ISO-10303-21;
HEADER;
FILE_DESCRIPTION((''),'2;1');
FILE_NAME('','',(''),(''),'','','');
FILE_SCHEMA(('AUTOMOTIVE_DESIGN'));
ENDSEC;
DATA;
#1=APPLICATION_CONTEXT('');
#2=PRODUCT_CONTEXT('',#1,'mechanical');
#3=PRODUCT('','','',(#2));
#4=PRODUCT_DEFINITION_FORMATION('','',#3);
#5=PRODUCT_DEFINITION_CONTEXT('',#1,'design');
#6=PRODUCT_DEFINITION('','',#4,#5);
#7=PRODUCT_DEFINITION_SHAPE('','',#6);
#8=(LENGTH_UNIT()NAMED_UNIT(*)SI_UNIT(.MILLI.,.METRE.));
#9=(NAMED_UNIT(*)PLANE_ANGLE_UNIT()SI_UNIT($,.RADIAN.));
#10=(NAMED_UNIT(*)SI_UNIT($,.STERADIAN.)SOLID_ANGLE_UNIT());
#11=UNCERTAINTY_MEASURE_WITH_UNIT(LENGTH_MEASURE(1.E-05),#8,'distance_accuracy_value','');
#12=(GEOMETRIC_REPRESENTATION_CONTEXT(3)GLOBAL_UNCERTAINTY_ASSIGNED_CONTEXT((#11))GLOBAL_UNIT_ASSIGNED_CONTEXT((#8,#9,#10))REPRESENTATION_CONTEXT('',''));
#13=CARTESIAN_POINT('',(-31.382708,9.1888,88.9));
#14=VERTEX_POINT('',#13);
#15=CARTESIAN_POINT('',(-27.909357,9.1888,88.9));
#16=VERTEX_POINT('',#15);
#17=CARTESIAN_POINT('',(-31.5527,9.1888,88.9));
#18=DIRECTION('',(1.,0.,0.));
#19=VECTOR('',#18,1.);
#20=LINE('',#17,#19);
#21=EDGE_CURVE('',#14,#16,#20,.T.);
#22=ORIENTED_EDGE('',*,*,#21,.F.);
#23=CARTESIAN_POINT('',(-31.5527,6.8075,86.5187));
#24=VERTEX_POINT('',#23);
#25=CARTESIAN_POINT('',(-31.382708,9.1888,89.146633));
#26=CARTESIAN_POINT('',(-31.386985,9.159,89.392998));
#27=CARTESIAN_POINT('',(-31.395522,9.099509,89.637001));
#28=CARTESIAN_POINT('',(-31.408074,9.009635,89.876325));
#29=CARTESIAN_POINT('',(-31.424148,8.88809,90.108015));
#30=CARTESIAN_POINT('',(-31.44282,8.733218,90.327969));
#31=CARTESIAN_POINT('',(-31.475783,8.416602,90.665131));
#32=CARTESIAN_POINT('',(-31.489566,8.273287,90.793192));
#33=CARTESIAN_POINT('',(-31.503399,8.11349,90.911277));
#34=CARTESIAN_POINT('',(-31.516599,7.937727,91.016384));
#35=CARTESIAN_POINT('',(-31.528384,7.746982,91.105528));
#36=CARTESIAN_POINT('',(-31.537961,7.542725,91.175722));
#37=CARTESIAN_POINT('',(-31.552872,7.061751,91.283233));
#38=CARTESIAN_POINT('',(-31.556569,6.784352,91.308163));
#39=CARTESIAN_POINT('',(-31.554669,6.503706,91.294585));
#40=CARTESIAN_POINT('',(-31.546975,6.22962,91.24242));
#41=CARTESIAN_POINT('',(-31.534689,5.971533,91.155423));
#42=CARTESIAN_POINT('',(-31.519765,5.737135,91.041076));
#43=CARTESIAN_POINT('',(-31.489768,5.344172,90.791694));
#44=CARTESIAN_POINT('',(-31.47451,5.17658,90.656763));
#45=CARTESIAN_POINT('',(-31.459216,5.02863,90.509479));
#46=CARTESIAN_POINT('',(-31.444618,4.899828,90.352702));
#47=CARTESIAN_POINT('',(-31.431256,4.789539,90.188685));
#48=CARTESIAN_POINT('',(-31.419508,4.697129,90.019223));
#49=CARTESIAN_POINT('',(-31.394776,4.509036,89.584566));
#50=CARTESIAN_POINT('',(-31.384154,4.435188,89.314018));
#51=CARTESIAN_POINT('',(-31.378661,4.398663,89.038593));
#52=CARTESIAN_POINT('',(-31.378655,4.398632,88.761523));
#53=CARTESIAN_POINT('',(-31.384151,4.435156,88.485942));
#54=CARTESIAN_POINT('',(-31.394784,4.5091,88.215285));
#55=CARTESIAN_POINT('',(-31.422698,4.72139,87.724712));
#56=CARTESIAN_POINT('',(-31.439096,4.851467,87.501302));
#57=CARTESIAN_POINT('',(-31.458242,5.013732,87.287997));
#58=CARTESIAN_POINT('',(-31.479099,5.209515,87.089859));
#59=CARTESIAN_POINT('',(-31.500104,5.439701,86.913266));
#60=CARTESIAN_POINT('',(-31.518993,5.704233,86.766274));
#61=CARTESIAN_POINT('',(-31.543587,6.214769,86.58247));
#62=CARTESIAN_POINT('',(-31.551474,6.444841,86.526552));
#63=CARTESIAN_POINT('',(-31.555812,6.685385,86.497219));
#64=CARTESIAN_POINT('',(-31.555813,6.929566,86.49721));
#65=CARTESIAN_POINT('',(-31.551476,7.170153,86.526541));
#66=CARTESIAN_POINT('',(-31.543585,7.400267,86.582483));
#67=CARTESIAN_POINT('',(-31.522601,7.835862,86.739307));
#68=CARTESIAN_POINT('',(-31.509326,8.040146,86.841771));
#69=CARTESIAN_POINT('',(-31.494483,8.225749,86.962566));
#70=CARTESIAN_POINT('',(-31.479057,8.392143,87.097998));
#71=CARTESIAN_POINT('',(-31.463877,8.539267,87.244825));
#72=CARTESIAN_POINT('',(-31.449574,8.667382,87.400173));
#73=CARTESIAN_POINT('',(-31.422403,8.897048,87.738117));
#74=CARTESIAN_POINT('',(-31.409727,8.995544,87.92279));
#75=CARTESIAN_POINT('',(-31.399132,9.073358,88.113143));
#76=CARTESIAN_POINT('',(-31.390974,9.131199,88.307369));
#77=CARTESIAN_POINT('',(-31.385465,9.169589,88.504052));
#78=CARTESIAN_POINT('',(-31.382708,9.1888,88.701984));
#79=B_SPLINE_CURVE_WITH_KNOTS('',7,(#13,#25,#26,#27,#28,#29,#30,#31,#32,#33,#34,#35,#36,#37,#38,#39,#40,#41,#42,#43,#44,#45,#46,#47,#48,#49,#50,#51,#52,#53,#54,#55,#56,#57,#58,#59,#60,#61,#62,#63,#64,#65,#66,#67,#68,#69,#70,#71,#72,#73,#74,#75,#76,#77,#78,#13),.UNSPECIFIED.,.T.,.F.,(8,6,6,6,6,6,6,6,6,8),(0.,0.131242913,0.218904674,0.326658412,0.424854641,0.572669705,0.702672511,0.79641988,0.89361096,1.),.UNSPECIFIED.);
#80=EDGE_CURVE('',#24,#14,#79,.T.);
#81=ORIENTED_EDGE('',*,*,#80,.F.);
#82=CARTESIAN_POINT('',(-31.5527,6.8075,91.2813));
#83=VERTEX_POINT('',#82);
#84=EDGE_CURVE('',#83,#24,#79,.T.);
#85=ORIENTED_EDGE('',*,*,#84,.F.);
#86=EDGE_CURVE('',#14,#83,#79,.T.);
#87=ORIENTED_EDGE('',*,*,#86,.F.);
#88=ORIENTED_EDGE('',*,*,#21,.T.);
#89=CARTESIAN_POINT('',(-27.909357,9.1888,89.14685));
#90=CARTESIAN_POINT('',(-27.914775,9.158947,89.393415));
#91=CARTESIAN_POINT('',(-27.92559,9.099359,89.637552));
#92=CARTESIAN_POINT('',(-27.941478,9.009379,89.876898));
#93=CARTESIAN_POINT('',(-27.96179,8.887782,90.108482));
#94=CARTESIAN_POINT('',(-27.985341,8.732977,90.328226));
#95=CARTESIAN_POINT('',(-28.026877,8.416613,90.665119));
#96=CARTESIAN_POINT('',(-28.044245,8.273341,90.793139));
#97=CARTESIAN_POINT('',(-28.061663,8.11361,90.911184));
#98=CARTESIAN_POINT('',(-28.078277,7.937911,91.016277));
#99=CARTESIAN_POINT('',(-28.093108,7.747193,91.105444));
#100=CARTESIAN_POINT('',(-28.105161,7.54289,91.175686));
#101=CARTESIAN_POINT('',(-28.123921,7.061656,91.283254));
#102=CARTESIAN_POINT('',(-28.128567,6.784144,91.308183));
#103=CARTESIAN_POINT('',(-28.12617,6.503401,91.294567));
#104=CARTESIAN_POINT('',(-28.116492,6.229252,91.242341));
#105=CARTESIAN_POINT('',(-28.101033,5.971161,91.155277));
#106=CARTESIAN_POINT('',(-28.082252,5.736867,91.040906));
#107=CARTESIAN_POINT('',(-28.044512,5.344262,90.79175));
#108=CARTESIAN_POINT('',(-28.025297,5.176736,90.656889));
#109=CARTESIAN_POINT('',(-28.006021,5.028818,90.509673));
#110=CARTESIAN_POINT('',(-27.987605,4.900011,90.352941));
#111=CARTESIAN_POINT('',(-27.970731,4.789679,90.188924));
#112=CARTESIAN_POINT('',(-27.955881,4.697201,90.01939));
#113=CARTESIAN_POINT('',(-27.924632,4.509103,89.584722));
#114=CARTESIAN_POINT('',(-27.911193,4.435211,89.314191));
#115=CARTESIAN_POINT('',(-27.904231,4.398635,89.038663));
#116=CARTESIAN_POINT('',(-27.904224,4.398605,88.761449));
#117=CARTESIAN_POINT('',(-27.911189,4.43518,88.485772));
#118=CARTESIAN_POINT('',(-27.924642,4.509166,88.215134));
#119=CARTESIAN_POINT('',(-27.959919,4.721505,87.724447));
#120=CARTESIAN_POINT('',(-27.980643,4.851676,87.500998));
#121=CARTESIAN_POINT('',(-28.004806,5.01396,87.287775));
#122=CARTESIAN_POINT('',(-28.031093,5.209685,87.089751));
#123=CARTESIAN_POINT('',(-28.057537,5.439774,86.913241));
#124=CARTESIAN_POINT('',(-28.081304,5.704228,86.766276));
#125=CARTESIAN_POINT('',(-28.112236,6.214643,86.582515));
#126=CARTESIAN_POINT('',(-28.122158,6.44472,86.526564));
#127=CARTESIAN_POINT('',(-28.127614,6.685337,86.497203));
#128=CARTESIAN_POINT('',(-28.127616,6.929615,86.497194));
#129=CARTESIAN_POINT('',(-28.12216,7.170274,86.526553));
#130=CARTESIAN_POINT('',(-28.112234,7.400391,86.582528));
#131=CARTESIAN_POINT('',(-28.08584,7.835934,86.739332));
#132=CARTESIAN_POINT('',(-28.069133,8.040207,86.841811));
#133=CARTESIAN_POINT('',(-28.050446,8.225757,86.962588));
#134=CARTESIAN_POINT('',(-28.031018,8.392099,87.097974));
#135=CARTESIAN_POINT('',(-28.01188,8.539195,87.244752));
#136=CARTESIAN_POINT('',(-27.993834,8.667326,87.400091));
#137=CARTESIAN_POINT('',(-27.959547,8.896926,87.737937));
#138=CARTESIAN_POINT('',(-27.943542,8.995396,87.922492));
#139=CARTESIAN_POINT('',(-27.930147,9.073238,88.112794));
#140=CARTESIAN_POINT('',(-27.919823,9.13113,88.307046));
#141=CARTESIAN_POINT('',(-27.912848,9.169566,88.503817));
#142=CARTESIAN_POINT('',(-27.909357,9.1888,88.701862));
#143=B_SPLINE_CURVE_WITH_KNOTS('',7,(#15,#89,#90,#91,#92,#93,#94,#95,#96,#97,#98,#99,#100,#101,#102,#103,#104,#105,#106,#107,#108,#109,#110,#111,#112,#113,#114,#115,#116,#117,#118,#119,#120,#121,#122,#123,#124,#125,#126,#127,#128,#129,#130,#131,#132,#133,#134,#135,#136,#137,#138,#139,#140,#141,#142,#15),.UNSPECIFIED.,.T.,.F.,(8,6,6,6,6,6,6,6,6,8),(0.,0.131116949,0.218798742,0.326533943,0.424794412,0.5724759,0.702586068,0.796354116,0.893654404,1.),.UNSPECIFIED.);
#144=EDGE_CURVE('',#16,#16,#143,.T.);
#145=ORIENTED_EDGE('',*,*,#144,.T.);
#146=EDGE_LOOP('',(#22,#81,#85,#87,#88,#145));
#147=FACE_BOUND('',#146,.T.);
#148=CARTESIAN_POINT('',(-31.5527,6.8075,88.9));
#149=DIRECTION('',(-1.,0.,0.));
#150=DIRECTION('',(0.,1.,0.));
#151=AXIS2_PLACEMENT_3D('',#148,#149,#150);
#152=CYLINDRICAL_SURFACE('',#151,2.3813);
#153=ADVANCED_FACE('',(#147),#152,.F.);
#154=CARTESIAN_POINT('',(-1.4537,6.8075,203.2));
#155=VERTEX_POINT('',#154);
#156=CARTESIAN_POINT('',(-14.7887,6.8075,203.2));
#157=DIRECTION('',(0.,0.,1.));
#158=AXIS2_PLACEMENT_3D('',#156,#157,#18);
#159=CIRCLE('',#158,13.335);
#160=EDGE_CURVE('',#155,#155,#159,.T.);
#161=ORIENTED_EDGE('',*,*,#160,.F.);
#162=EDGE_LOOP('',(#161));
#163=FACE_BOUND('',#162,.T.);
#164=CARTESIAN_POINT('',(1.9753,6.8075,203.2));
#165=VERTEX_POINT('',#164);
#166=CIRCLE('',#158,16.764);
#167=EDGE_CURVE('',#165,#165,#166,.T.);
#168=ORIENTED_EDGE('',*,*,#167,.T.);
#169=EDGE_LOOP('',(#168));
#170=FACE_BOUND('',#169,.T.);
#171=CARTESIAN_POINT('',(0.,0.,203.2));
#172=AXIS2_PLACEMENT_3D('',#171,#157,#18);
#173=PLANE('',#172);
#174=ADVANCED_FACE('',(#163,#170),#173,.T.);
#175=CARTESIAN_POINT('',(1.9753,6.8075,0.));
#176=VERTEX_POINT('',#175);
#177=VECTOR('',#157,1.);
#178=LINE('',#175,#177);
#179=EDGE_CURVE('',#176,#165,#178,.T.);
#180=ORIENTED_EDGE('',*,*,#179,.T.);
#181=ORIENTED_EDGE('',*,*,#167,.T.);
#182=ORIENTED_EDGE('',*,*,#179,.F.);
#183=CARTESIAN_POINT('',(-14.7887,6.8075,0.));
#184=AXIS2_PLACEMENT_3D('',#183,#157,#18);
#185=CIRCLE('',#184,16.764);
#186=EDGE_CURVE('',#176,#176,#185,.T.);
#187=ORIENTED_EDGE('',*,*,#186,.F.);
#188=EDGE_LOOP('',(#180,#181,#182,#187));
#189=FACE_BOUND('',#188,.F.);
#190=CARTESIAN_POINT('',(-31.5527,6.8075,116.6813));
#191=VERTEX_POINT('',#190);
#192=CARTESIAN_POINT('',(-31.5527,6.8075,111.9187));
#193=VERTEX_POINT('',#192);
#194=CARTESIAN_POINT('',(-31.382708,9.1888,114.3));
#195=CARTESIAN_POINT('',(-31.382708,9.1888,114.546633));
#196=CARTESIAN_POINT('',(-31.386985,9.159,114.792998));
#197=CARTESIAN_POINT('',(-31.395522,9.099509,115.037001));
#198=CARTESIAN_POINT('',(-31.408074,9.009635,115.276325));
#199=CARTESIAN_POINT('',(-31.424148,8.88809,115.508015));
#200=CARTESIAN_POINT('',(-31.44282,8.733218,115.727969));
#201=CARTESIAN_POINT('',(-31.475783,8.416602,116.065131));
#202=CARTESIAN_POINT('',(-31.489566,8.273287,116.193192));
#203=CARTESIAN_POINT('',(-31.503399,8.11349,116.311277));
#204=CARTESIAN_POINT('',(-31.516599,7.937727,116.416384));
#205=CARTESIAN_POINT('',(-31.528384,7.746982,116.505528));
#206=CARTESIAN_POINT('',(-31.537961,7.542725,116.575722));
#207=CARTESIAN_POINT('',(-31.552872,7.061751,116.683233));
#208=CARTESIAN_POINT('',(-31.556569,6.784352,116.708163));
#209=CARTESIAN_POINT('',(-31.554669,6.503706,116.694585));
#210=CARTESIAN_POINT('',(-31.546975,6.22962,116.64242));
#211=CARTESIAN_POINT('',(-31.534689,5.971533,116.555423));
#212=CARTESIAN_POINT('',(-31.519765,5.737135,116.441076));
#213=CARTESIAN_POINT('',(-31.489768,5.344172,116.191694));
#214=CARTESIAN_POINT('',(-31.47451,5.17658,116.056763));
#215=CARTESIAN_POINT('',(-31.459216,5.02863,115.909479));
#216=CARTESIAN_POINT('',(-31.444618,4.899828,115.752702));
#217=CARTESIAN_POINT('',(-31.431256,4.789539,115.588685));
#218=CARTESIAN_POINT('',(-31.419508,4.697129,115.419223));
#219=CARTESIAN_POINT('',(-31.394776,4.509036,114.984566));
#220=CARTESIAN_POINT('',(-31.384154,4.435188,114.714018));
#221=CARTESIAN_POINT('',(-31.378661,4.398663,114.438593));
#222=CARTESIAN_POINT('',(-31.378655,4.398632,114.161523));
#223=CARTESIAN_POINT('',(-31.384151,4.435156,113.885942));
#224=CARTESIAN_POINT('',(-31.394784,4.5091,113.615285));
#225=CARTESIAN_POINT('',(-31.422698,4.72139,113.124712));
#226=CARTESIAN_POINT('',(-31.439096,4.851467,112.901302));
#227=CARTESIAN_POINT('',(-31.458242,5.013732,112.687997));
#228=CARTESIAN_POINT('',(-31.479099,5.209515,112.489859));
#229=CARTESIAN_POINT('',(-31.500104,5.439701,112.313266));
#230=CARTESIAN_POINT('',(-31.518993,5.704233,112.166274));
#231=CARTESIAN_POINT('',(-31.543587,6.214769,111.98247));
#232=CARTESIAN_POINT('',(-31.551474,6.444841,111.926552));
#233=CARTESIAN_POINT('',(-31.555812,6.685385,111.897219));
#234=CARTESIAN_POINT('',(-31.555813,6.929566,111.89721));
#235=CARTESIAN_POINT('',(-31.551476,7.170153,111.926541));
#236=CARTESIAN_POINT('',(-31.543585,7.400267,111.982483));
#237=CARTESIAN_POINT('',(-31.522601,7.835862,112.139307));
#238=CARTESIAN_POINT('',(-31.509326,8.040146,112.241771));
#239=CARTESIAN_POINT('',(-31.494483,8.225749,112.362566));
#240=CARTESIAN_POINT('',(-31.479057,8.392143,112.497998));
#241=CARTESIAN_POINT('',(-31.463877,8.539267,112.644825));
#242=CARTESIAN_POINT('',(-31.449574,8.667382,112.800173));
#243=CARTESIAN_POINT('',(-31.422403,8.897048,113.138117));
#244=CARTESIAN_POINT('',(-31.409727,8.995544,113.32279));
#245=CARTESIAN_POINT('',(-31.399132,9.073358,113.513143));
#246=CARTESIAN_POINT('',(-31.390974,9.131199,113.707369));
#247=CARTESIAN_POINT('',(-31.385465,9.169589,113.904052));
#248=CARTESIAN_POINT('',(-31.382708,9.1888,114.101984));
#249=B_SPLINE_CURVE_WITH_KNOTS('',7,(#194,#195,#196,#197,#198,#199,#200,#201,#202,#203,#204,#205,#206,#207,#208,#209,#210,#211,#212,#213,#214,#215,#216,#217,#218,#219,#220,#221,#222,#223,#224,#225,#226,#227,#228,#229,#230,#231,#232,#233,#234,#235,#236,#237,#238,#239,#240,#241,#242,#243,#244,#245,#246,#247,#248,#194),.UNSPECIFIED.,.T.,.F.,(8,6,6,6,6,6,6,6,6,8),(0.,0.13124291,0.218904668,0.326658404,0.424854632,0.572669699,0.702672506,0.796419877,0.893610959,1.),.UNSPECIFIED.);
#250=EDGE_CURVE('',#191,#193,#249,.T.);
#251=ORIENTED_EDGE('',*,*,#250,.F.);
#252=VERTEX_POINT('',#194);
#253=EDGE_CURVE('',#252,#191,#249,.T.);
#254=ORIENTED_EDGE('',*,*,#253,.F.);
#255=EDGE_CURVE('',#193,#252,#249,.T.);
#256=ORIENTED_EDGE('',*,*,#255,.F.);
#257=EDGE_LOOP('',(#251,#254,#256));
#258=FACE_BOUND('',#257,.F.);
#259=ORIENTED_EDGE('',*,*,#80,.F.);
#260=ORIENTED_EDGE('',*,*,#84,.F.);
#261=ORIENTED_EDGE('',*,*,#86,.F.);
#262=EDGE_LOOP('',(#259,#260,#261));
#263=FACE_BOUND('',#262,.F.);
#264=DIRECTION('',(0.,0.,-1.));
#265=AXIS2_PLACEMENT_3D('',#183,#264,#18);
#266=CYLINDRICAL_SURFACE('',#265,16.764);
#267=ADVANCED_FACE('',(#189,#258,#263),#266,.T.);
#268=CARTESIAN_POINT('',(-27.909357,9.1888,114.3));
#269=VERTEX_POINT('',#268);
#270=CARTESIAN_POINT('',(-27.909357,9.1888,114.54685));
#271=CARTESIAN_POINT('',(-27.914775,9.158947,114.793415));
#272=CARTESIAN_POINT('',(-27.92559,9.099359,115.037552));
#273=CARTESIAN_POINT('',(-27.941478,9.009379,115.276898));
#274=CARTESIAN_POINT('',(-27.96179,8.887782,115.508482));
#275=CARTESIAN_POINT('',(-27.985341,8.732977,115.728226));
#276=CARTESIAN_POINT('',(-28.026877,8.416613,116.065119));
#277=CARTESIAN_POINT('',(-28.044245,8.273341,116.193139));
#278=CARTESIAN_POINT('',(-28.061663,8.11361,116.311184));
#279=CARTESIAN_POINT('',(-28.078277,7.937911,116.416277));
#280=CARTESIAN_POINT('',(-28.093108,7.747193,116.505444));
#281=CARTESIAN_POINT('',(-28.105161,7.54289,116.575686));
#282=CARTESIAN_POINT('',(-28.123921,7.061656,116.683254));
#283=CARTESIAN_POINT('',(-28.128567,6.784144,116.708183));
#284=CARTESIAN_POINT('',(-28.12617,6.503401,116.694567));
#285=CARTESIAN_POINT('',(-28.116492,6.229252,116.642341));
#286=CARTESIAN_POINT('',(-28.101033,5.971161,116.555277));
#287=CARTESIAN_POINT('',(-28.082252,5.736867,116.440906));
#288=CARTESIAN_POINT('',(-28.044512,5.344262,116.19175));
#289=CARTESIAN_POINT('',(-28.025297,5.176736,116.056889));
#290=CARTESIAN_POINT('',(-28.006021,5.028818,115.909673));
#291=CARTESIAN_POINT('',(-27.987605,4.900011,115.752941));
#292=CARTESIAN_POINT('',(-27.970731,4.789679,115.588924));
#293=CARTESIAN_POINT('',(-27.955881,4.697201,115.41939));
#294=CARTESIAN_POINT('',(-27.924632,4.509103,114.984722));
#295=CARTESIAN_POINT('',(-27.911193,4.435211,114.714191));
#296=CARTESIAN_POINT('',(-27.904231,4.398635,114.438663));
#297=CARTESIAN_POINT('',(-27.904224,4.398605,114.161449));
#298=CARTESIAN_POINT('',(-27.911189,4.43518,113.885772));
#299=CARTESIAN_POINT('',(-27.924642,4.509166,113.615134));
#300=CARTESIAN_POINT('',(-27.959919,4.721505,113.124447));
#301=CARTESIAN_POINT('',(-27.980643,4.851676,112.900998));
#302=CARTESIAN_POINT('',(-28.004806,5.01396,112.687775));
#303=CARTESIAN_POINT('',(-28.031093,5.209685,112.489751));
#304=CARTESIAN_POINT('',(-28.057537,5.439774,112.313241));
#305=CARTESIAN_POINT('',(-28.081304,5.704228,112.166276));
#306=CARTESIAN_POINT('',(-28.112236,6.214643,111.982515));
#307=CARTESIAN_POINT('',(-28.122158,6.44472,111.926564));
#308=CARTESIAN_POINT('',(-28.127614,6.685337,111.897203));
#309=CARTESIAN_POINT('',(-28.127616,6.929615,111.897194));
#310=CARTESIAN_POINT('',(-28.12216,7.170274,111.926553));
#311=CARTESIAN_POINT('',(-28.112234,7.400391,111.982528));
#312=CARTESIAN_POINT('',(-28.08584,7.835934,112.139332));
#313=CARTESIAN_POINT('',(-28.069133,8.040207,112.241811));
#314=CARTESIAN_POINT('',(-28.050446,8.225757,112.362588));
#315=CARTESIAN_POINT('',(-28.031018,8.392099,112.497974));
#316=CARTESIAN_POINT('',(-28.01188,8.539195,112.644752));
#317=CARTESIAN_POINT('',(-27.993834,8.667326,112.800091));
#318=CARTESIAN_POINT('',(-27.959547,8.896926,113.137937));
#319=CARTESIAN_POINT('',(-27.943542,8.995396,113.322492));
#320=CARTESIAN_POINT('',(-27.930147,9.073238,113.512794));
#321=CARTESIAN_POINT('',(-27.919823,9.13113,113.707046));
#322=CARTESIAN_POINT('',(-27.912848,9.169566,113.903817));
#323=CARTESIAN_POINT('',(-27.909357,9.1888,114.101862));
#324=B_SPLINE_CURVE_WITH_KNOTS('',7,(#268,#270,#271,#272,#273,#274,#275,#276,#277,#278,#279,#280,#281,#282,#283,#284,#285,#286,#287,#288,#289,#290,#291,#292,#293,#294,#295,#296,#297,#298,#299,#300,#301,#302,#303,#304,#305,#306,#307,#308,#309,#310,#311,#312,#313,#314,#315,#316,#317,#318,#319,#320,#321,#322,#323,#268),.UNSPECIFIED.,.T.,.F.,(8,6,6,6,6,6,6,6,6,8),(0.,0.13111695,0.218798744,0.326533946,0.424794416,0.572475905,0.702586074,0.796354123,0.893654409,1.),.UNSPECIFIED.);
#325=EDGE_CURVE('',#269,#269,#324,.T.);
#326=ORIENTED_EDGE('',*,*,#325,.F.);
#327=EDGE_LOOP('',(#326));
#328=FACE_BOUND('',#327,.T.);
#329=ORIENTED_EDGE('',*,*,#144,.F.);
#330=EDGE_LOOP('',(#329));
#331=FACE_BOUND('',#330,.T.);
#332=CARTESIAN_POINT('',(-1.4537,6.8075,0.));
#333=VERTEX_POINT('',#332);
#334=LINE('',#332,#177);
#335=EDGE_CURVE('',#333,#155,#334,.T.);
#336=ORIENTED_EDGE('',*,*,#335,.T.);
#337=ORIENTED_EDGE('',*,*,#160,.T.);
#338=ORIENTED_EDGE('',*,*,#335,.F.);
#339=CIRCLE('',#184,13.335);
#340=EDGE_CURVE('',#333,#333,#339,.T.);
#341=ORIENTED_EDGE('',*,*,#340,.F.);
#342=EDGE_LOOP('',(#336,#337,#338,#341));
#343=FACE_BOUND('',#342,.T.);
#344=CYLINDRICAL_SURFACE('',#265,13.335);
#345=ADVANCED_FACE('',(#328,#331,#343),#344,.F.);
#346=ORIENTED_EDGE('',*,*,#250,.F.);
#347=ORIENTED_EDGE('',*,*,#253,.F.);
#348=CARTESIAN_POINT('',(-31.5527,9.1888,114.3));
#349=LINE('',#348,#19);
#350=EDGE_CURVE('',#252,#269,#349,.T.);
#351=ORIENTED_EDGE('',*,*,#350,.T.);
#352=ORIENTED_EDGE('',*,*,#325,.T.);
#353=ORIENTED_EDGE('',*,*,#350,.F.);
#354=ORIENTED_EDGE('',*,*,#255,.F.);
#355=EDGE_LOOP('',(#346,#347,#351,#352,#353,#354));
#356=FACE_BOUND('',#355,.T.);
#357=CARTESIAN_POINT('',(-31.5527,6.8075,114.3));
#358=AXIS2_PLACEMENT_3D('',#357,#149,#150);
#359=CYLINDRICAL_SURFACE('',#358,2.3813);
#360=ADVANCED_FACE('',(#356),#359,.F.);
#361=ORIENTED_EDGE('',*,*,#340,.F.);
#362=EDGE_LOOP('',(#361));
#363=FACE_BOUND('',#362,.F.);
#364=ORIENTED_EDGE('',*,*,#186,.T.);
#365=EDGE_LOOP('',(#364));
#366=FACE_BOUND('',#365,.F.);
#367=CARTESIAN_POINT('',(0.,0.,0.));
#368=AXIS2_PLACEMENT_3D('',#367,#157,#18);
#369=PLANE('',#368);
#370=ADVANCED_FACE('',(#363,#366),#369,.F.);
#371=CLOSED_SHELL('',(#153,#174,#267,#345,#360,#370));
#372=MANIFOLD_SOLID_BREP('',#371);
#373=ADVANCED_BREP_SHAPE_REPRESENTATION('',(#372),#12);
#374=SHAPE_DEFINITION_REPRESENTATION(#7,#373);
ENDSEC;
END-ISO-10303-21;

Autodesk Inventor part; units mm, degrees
ref_plane "XZ Plane" through (0, 0, 0) normal (0, 1, 0) x (-1, 0, 0)
ref_plane "XY Plane" through (0, 0, 0) normal (0, 0, 1) x (1, 0, 0)
sketch "Sketch1" plane through (0, 0, 0) normal (0, 0, 1) x (1, 0, 0)
  circle A0 centre (-14.7887, 6.8075) radius 16.764
  circle A1 centre (-14.7887, 6.8075) radius 13.335
  dimension "d0" = 33.528
  dimension "d1" = 26.67
extrude "Extrusion1" add sketch "Sketch1" along normal blind 203.2
ref_plane "Work Plane1" through (-31.5527, 6.8075, 0) normal (1, 0, 0) x (0, 1, 0)
sketch "Sketch2" plane through (-31.5527, 6.8075, 0) normal (1, 0, 0) x (0, 1, 0)
  line L0 (16.764, 0) -> (16.764, 203.2) projected
  line L1 (-16.764, 203.2) -> (16.764, 203.2) projected
  line L2 (-16.764, 0) -> (16.764, 0) projected
  line L3 (0, 243.84) -> (0, -40.64) projected
  circle A0 centre (0, 88.9) radius 2.3813
  circle A1 centre (0, 114.3) radius 2.3813
  line L4 (16.764, 101.6) -> (-16.0957, 101.6)
  dimension "d4" = 101.6
  dimension "d5" = 12.7
  dimension "d6" = 12.7
  dimension "d7" = 4.7625
  dimension "d8" = 4.7625
extrude "Extrusion2" cut sketch "Sketch2" along normal up to next contours A0 L3 | L3 A0 | A1 L3 | L3 A1
properties part number "FE-00013-07"
